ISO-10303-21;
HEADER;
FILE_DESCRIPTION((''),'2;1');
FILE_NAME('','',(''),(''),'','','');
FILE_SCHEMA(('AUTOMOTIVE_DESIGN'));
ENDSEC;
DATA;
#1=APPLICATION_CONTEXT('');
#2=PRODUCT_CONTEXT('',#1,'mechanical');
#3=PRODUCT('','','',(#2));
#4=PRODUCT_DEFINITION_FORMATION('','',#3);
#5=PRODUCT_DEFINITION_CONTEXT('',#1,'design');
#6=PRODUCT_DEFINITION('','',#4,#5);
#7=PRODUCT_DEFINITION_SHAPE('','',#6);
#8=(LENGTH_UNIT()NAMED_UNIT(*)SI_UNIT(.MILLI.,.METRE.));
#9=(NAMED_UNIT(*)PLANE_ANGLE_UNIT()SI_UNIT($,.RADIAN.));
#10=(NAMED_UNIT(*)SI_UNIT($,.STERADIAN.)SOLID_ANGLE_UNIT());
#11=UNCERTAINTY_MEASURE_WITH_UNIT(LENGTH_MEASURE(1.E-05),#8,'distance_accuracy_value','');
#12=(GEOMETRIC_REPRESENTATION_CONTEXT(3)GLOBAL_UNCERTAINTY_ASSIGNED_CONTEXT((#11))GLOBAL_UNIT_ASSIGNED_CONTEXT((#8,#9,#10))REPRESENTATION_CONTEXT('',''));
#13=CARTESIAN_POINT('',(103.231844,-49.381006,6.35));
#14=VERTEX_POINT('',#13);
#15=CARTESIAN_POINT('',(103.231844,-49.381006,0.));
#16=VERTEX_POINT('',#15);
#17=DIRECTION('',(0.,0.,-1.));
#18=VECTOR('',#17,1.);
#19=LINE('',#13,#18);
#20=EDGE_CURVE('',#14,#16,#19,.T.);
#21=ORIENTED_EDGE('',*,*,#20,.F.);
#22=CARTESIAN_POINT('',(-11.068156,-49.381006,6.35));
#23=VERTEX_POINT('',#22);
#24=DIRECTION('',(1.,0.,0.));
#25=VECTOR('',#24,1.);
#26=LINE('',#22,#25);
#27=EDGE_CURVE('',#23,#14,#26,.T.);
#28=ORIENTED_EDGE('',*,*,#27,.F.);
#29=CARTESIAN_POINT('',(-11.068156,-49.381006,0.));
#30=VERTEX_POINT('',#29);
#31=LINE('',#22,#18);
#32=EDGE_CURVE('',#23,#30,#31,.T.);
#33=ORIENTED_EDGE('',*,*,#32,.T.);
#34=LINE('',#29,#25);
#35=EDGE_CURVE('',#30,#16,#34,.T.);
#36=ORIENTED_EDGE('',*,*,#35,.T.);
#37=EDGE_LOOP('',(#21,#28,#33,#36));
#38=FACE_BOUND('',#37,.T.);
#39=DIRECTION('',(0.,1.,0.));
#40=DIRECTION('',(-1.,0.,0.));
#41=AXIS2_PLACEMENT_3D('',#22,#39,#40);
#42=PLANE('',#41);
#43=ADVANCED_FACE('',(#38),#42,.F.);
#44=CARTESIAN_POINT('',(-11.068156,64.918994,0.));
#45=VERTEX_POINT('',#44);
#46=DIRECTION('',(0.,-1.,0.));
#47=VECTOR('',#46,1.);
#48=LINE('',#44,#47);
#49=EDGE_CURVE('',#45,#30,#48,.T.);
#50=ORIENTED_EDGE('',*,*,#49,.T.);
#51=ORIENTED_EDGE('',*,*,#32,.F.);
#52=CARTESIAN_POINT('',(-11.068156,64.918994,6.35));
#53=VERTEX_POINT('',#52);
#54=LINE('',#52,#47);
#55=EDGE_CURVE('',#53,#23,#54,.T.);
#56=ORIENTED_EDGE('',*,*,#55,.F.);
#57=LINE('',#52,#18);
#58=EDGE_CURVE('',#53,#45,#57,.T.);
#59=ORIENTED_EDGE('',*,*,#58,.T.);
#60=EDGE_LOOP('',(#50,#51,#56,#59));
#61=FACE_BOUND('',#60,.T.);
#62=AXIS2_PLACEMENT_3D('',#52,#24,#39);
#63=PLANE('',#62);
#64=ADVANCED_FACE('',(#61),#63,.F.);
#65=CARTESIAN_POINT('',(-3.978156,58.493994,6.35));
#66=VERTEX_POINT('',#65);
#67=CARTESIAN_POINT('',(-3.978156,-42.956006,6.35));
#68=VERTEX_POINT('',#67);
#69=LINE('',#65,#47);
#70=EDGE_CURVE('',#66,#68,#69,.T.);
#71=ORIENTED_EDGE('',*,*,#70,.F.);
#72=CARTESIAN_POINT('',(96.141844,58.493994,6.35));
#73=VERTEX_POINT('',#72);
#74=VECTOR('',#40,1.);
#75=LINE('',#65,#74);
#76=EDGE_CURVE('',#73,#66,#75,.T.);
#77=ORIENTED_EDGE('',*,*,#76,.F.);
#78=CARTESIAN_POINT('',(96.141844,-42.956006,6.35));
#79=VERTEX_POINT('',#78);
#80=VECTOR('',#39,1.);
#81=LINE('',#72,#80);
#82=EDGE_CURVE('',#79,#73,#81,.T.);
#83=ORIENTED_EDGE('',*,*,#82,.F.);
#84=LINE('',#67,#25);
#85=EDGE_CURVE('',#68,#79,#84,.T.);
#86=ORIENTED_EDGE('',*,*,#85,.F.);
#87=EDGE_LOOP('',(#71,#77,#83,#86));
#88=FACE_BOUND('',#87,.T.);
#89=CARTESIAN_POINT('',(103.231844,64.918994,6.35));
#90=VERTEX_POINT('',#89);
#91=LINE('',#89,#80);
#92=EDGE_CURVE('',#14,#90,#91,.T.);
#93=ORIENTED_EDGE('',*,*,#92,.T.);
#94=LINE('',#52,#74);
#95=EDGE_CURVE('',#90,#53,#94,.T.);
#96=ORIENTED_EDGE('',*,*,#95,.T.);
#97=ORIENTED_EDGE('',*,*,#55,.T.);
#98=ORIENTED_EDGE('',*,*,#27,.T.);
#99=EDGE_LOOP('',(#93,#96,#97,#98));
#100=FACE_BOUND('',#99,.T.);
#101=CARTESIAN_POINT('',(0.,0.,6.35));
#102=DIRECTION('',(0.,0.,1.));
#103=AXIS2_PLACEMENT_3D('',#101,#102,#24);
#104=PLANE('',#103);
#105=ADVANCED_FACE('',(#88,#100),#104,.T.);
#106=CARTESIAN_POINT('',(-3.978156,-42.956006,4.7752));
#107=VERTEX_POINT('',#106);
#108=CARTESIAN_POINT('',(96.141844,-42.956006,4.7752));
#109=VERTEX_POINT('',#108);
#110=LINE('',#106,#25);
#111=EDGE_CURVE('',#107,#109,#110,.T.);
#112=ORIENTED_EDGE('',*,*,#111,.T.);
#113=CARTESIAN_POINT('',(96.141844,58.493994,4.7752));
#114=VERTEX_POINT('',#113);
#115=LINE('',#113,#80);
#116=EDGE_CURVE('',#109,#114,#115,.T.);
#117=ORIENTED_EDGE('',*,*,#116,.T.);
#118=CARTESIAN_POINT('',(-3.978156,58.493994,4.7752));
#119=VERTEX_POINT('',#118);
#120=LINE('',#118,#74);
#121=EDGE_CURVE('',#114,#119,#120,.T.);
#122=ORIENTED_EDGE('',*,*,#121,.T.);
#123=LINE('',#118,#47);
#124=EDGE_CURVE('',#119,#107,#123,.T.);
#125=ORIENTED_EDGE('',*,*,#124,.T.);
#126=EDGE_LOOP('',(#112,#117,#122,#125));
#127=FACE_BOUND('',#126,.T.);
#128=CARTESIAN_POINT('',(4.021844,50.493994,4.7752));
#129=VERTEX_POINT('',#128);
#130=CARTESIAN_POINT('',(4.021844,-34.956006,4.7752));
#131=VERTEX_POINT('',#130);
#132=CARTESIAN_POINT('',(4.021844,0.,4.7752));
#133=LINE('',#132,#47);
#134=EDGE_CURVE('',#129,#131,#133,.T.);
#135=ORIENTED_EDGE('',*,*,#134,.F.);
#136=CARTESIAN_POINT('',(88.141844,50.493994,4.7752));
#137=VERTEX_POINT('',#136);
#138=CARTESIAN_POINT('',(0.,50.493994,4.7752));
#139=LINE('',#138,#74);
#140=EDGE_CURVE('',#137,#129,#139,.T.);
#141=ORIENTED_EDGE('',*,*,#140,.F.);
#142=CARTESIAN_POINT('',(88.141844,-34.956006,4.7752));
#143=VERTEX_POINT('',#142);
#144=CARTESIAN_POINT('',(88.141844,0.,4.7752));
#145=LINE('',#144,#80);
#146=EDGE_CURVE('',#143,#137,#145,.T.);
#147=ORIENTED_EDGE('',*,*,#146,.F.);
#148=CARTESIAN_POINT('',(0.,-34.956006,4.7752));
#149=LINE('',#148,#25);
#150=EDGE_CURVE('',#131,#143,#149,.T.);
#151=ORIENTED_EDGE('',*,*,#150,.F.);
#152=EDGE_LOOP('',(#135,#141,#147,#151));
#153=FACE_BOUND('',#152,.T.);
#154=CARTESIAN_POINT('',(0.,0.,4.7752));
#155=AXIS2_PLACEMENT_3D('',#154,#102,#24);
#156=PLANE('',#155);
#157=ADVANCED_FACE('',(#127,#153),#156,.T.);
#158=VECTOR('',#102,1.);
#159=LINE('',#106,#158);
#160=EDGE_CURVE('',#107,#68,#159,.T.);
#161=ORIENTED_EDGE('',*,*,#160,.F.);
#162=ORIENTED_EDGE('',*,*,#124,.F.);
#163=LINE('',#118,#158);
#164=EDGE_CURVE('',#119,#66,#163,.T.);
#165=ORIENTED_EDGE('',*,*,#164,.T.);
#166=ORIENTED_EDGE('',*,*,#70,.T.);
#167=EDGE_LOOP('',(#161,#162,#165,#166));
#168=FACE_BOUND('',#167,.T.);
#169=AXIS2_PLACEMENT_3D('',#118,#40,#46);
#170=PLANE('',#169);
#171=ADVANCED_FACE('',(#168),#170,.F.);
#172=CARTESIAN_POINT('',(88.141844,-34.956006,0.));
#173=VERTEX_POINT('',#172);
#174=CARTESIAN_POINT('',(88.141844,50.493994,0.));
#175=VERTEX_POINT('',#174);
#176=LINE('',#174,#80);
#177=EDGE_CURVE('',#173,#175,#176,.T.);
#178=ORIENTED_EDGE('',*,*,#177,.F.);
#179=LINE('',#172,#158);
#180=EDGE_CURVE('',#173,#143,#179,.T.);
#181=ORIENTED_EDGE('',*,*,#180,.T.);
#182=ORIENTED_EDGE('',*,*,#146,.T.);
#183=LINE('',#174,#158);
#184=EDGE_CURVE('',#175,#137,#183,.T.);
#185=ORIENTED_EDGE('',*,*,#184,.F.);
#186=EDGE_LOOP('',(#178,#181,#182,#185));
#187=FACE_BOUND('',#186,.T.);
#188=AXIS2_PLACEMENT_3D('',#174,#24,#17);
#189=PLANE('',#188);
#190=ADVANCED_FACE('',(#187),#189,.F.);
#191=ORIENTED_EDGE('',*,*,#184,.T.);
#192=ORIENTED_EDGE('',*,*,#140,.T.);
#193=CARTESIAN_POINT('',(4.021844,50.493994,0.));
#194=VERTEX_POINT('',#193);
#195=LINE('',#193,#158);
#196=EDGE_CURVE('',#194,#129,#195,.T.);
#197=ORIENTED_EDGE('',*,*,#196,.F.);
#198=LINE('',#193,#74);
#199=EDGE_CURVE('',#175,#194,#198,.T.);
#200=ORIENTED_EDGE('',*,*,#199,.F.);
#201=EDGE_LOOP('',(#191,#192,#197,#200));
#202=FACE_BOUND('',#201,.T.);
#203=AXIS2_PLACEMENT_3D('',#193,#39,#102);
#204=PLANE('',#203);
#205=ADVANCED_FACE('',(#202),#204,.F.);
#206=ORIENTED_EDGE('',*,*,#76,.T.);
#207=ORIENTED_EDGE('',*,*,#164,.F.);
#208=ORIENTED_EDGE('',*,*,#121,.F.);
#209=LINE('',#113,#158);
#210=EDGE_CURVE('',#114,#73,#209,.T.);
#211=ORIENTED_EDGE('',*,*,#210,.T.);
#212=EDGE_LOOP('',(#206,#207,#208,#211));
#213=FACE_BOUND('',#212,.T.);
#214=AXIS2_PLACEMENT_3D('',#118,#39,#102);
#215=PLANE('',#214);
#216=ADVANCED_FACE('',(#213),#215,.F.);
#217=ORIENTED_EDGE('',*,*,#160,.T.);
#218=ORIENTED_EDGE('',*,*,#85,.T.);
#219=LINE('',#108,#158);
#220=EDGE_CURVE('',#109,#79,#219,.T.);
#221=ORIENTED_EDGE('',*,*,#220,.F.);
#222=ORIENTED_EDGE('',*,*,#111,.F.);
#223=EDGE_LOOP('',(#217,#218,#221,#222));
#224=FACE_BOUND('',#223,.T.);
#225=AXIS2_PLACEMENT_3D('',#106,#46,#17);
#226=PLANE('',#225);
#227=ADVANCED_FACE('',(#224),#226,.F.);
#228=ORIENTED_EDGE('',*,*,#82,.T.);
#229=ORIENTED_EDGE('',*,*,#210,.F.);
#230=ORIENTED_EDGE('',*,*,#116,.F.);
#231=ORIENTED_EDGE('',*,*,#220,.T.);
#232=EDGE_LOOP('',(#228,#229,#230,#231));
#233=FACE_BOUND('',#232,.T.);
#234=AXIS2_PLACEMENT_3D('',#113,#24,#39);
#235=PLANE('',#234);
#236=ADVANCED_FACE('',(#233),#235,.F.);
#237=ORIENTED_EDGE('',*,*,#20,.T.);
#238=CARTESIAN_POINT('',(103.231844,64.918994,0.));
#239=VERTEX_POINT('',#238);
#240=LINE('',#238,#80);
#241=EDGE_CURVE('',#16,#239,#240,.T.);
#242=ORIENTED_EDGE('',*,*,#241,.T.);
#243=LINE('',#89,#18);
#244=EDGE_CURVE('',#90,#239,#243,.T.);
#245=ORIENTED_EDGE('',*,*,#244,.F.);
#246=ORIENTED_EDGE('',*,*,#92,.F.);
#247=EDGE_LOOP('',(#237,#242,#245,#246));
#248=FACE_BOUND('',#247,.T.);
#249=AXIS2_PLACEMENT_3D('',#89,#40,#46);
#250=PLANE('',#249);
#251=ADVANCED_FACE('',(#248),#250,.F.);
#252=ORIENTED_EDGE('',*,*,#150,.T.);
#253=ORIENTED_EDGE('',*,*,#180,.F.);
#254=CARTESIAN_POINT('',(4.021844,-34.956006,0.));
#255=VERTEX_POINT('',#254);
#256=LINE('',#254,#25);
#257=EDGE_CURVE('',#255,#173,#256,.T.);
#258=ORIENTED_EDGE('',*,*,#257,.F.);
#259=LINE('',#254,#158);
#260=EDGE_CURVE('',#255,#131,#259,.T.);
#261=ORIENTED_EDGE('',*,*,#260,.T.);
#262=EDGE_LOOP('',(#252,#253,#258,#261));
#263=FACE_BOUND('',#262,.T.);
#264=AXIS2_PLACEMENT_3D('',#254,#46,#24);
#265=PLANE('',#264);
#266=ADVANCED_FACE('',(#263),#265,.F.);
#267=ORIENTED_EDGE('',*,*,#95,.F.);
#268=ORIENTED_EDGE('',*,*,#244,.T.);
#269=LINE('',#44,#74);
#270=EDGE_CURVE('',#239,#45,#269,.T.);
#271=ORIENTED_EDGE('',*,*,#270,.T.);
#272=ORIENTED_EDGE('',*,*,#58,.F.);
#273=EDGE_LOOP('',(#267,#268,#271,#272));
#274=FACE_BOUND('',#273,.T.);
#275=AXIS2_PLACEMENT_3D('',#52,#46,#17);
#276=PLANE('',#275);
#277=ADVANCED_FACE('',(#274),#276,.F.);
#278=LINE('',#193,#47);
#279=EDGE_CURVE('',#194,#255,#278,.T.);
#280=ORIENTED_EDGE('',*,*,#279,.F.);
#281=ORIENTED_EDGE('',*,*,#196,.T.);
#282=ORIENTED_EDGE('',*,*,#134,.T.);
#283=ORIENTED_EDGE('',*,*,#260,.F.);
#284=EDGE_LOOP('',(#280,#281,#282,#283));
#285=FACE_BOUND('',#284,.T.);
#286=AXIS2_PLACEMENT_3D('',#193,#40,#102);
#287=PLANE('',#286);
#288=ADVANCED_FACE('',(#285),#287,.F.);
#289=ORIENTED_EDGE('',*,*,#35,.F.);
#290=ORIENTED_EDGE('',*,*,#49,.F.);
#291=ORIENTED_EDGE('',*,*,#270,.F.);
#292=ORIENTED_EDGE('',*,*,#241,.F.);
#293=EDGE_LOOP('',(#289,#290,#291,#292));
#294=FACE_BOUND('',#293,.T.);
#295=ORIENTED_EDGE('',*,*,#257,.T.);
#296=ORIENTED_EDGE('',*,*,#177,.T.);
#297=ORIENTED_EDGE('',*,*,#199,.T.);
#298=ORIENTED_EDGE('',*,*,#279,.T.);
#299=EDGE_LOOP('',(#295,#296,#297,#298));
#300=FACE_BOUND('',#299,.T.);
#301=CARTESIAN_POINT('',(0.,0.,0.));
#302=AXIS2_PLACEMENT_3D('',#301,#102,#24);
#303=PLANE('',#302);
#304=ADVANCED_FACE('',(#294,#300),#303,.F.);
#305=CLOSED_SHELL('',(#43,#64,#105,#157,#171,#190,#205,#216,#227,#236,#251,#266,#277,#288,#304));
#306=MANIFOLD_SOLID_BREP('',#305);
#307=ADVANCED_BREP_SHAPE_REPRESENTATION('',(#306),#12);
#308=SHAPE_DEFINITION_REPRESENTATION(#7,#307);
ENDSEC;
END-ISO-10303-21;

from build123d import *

# Parameters (mm, degrees)
SKETCH1_W               = 114.3
SKETCH1_H               = 114.3
BOSS_EXTRUDE1_DEPTH     = 6.35
SKETCH2_W               = 100.12
SKETCH2_H               = 101.45
CUT_EXTRUDE1_DEPTH      = 1.5748
SKETCH4_W               = 84.12
SKETCH4_H               = 85.45
CUT_EXTRUDE3_DEPTH      = 2.5748
CUT_EXTRUDE3_DEPTH_BACK = 5.7752


with BuildPart() as part:
    # Sketch1 → Boss-Extrude1 (new body)
    with BuildSketch(Plane.XY):
        with Locations((46.081843575, 7.768994413)):
            Rectangle(SKETCH1_W, SKETCH1_H)
    extrude(amount=BOSS_EXTRUDE1_DEPTH)

    # Sketch2 → Cut-Extrude1 (cut)
    with BuildSketch(Plane.XY.offset(6.35)):
        with Locations((46.081843575, 7.768994413)):
            Rectangle(SKETCH2_W, SKETCH2_H)
    extrude(amount=-CUT_EXTRUDE1_DEPTH, mode=Mode.SUBTRACT)

    # Sketch4 → Cut-Extrude3 (cut, two sides)
    with BuildSketch(Plane.XY.offset(4.7752)) as cut_extrude3_sk:
        with Locations((46.081843575, 7.768994413)):
            Rectangle(SKETCH4_W, SKETCH4_H)
    extrude(amount=CUT_EXTRUDE3_DEPTH, mode=Mode.SUBTRACT)
    extrude(cut_extrude3_sk.sketch, amount=-CUT_EXTRUDE3_DEPTH_BACK, mode=Mode.SUBTRACT)


solid = part.part
